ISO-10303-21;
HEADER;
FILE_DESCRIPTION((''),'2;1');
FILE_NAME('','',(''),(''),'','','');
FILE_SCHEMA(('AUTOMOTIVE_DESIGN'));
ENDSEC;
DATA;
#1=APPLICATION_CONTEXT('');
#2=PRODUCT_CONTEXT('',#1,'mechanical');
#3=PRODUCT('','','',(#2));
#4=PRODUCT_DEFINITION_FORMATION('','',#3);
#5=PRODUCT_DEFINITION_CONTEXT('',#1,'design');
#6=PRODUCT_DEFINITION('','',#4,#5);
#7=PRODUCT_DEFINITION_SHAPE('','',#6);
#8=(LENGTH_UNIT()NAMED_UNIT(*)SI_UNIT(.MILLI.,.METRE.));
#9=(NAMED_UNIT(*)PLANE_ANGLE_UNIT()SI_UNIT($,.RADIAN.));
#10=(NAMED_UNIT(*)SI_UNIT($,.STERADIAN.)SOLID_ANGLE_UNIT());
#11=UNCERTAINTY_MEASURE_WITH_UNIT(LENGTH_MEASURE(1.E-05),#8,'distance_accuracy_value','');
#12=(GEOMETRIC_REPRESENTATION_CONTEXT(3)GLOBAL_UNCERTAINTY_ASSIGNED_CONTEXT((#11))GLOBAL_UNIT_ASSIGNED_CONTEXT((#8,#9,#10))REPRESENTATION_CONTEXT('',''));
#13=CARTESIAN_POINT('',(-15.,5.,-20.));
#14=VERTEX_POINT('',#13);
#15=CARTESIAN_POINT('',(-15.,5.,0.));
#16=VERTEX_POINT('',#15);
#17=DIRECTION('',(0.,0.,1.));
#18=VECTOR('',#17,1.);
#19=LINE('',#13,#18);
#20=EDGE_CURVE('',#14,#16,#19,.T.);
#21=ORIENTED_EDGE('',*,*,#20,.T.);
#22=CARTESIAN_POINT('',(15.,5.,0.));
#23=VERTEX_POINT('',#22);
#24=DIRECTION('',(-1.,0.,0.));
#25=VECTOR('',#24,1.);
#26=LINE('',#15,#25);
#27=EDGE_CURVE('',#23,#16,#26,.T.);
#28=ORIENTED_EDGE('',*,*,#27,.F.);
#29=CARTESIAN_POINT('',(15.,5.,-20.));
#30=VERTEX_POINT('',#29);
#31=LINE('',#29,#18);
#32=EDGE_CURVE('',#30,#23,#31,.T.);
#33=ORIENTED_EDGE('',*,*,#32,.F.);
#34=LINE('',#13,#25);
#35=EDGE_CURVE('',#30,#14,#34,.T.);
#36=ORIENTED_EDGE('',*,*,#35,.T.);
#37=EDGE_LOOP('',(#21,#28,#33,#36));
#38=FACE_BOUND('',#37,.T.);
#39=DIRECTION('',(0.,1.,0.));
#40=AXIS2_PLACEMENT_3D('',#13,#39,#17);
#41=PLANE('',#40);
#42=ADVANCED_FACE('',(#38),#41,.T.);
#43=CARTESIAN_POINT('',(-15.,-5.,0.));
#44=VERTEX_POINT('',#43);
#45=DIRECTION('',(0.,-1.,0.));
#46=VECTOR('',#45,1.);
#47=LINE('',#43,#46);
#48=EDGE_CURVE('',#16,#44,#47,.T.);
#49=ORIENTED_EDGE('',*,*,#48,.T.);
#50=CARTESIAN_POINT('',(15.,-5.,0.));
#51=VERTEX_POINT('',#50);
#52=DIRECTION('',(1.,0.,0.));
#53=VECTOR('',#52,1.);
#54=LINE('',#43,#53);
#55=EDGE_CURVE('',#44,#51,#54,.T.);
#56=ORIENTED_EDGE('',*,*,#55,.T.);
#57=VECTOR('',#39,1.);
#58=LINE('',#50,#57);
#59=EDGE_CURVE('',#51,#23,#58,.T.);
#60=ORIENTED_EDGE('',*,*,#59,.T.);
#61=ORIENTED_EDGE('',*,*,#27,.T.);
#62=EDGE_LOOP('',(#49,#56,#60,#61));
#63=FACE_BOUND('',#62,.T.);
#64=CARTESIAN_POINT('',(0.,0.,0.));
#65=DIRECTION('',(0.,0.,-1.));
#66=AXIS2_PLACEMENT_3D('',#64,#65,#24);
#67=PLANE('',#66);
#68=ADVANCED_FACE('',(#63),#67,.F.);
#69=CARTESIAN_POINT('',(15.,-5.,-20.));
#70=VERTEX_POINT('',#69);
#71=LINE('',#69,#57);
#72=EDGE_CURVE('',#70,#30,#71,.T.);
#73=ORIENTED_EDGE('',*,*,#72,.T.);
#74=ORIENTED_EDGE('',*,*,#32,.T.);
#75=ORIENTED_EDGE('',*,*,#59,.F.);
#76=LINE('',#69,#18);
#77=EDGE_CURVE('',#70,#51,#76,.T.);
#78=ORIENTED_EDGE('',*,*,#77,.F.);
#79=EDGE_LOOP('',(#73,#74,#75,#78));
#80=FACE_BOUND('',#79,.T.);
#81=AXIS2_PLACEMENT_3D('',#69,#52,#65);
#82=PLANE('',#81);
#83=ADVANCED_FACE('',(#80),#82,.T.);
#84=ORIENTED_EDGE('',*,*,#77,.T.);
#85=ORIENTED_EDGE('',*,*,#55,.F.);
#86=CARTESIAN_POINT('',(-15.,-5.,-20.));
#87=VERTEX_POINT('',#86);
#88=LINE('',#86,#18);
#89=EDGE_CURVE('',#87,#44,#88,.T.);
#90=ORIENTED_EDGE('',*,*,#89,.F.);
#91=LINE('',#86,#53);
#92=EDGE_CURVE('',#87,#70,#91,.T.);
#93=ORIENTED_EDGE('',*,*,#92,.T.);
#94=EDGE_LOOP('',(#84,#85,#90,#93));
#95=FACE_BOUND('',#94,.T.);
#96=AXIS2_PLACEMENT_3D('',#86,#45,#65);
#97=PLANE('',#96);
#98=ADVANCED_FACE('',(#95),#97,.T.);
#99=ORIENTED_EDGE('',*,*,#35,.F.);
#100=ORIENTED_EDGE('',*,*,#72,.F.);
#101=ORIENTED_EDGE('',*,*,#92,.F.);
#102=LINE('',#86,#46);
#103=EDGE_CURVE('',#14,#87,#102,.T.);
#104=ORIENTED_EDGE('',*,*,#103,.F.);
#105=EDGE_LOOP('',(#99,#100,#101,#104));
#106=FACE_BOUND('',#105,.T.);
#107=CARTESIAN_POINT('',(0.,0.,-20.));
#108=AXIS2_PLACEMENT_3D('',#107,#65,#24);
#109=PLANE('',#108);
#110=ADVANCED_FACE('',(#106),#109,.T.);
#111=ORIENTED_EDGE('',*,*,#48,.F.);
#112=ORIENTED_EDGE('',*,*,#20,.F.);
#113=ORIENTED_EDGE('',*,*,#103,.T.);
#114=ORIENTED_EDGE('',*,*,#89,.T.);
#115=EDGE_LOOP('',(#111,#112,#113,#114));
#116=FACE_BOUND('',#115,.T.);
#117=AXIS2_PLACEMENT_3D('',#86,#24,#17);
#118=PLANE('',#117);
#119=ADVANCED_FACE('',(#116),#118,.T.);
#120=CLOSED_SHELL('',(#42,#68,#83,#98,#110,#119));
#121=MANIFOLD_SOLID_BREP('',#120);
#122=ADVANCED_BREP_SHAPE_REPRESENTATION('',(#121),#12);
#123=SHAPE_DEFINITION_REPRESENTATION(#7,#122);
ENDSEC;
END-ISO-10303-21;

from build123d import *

# Parameters (mm, degrees)
SKETCH1_W           = 30
SKETCH1_H           = 10
BOSS_EXTRUDE1_DEPTH = 20


with BuildPart() as part:
    # Sketch1 → Boss-Extrude1 (new body)
    with BuildSketch(Plane.XY):
        Rectangle(SKETCH1_W, SKETCH1_H)
    extrude(amount=-BOSS_EXTRUDE1_DEPTH)


solid = part.part
